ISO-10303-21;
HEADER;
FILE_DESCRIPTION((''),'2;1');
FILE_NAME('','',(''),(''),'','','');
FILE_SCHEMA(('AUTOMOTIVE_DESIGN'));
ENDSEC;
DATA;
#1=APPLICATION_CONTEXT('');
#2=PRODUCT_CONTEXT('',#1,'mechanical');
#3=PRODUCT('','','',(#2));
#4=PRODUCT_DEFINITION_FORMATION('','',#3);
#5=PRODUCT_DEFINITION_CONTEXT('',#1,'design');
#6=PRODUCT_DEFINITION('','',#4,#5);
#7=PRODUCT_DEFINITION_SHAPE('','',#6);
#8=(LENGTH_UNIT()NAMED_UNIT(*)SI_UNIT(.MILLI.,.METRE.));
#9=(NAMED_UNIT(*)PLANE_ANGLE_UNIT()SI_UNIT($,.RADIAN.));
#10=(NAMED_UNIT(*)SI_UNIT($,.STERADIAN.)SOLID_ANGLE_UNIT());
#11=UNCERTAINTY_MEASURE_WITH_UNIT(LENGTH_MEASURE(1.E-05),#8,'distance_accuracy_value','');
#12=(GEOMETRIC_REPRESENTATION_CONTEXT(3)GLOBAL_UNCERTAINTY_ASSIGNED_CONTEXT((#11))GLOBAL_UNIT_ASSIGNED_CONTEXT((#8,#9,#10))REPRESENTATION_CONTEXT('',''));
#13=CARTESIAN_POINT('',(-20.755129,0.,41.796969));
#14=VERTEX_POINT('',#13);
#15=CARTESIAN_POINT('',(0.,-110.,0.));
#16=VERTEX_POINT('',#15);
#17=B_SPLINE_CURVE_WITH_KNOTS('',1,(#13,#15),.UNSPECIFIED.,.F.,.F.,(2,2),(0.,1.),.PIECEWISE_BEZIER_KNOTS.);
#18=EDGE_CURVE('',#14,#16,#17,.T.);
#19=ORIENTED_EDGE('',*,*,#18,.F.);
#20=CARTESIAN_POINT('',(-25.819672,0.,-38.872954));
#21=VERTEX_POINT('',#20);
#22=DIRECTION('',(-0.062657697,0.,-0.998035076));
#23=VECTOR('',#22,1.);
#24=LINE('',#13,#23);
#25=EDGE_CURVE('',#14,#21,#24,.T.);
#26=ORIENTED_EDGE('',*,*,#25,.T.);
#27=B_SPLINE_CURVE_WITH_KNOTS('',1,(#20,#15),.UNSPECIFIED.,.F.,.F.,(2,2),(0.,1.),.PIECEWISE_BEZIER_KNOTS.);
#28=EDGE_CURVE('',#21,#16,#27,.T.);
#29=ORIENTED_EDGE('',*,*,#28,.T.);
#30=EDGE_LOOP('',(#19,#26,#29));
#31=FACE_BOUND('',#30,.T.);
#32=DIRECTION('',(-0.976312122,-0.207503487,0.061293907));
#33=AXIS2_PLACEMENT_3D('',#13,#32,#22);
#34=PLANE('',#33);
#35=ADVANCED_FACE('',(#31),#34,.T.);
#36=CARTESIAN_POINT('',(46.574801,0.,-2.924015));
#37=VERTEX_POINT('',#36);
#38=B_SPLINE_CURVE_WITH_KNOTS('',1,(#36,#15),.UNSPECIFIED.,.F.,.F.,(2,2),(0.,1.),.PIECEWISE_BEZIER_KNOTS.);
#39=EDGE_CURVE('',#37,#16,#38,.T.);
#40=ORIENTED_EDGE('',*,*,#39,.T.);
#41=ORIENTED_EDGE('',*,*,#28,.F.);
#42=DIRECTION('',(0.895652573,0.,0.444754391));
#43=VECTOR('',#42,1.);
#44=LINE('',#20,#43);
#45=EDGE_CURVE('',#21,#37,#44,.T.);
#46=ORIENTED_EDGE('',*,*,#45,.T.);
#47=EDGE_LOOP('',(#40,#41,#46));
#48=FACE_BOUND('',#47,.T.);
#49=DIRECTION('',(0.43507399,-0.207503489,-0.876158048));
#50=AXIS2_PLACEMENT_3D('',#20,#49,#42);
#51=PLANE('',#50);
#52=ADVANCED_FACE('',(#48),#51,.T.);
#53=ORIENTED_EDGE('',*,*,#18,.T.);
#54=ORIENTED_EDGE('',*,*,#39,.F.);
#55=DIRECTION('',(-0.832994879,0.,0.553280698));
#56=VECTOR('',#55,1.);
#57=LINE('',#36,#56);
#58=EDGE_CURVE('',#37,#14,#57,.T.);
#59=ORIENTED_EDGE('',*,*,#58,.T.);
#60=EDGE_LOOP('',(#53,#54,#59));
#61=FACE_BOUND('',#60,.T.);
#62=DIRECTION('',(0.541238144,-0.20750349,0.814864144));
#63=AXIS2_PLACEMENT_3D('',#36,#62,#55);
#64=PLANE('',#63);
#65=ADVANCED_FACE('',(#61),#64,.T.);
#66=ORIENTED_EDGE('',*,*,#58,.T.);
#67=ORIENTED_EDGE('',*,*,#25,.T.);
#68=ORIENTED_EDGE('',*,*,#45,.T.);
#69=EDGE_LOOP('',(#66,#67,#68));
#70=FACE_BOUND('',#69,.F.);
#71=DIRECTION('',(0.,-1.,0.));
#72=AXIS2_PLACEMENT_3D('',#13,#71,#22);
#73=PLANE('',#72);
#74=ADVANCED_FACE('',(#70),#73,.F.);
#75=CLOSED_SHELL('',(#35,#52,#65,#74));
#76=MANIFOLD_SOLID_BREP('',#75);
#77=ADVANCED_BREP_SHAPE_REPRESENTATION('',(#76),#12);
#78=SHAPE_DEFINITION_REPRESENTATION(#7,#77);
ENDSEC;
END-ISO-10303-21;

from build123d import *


with BuildPart() as f3:
    # F0 (on Front) → F3 section 0
    with BuildSketch(Plane.XZ, mode=Mode.PRIVATE) as f3_s0:
        Polygon((-20.755129, 41.796969), (-25.819672, -38.872954), (46.574801, -2.924015), align=None)
    loft([f3_s0.sketch, Vertex(0, -110, 0)])


solid = f3.part
